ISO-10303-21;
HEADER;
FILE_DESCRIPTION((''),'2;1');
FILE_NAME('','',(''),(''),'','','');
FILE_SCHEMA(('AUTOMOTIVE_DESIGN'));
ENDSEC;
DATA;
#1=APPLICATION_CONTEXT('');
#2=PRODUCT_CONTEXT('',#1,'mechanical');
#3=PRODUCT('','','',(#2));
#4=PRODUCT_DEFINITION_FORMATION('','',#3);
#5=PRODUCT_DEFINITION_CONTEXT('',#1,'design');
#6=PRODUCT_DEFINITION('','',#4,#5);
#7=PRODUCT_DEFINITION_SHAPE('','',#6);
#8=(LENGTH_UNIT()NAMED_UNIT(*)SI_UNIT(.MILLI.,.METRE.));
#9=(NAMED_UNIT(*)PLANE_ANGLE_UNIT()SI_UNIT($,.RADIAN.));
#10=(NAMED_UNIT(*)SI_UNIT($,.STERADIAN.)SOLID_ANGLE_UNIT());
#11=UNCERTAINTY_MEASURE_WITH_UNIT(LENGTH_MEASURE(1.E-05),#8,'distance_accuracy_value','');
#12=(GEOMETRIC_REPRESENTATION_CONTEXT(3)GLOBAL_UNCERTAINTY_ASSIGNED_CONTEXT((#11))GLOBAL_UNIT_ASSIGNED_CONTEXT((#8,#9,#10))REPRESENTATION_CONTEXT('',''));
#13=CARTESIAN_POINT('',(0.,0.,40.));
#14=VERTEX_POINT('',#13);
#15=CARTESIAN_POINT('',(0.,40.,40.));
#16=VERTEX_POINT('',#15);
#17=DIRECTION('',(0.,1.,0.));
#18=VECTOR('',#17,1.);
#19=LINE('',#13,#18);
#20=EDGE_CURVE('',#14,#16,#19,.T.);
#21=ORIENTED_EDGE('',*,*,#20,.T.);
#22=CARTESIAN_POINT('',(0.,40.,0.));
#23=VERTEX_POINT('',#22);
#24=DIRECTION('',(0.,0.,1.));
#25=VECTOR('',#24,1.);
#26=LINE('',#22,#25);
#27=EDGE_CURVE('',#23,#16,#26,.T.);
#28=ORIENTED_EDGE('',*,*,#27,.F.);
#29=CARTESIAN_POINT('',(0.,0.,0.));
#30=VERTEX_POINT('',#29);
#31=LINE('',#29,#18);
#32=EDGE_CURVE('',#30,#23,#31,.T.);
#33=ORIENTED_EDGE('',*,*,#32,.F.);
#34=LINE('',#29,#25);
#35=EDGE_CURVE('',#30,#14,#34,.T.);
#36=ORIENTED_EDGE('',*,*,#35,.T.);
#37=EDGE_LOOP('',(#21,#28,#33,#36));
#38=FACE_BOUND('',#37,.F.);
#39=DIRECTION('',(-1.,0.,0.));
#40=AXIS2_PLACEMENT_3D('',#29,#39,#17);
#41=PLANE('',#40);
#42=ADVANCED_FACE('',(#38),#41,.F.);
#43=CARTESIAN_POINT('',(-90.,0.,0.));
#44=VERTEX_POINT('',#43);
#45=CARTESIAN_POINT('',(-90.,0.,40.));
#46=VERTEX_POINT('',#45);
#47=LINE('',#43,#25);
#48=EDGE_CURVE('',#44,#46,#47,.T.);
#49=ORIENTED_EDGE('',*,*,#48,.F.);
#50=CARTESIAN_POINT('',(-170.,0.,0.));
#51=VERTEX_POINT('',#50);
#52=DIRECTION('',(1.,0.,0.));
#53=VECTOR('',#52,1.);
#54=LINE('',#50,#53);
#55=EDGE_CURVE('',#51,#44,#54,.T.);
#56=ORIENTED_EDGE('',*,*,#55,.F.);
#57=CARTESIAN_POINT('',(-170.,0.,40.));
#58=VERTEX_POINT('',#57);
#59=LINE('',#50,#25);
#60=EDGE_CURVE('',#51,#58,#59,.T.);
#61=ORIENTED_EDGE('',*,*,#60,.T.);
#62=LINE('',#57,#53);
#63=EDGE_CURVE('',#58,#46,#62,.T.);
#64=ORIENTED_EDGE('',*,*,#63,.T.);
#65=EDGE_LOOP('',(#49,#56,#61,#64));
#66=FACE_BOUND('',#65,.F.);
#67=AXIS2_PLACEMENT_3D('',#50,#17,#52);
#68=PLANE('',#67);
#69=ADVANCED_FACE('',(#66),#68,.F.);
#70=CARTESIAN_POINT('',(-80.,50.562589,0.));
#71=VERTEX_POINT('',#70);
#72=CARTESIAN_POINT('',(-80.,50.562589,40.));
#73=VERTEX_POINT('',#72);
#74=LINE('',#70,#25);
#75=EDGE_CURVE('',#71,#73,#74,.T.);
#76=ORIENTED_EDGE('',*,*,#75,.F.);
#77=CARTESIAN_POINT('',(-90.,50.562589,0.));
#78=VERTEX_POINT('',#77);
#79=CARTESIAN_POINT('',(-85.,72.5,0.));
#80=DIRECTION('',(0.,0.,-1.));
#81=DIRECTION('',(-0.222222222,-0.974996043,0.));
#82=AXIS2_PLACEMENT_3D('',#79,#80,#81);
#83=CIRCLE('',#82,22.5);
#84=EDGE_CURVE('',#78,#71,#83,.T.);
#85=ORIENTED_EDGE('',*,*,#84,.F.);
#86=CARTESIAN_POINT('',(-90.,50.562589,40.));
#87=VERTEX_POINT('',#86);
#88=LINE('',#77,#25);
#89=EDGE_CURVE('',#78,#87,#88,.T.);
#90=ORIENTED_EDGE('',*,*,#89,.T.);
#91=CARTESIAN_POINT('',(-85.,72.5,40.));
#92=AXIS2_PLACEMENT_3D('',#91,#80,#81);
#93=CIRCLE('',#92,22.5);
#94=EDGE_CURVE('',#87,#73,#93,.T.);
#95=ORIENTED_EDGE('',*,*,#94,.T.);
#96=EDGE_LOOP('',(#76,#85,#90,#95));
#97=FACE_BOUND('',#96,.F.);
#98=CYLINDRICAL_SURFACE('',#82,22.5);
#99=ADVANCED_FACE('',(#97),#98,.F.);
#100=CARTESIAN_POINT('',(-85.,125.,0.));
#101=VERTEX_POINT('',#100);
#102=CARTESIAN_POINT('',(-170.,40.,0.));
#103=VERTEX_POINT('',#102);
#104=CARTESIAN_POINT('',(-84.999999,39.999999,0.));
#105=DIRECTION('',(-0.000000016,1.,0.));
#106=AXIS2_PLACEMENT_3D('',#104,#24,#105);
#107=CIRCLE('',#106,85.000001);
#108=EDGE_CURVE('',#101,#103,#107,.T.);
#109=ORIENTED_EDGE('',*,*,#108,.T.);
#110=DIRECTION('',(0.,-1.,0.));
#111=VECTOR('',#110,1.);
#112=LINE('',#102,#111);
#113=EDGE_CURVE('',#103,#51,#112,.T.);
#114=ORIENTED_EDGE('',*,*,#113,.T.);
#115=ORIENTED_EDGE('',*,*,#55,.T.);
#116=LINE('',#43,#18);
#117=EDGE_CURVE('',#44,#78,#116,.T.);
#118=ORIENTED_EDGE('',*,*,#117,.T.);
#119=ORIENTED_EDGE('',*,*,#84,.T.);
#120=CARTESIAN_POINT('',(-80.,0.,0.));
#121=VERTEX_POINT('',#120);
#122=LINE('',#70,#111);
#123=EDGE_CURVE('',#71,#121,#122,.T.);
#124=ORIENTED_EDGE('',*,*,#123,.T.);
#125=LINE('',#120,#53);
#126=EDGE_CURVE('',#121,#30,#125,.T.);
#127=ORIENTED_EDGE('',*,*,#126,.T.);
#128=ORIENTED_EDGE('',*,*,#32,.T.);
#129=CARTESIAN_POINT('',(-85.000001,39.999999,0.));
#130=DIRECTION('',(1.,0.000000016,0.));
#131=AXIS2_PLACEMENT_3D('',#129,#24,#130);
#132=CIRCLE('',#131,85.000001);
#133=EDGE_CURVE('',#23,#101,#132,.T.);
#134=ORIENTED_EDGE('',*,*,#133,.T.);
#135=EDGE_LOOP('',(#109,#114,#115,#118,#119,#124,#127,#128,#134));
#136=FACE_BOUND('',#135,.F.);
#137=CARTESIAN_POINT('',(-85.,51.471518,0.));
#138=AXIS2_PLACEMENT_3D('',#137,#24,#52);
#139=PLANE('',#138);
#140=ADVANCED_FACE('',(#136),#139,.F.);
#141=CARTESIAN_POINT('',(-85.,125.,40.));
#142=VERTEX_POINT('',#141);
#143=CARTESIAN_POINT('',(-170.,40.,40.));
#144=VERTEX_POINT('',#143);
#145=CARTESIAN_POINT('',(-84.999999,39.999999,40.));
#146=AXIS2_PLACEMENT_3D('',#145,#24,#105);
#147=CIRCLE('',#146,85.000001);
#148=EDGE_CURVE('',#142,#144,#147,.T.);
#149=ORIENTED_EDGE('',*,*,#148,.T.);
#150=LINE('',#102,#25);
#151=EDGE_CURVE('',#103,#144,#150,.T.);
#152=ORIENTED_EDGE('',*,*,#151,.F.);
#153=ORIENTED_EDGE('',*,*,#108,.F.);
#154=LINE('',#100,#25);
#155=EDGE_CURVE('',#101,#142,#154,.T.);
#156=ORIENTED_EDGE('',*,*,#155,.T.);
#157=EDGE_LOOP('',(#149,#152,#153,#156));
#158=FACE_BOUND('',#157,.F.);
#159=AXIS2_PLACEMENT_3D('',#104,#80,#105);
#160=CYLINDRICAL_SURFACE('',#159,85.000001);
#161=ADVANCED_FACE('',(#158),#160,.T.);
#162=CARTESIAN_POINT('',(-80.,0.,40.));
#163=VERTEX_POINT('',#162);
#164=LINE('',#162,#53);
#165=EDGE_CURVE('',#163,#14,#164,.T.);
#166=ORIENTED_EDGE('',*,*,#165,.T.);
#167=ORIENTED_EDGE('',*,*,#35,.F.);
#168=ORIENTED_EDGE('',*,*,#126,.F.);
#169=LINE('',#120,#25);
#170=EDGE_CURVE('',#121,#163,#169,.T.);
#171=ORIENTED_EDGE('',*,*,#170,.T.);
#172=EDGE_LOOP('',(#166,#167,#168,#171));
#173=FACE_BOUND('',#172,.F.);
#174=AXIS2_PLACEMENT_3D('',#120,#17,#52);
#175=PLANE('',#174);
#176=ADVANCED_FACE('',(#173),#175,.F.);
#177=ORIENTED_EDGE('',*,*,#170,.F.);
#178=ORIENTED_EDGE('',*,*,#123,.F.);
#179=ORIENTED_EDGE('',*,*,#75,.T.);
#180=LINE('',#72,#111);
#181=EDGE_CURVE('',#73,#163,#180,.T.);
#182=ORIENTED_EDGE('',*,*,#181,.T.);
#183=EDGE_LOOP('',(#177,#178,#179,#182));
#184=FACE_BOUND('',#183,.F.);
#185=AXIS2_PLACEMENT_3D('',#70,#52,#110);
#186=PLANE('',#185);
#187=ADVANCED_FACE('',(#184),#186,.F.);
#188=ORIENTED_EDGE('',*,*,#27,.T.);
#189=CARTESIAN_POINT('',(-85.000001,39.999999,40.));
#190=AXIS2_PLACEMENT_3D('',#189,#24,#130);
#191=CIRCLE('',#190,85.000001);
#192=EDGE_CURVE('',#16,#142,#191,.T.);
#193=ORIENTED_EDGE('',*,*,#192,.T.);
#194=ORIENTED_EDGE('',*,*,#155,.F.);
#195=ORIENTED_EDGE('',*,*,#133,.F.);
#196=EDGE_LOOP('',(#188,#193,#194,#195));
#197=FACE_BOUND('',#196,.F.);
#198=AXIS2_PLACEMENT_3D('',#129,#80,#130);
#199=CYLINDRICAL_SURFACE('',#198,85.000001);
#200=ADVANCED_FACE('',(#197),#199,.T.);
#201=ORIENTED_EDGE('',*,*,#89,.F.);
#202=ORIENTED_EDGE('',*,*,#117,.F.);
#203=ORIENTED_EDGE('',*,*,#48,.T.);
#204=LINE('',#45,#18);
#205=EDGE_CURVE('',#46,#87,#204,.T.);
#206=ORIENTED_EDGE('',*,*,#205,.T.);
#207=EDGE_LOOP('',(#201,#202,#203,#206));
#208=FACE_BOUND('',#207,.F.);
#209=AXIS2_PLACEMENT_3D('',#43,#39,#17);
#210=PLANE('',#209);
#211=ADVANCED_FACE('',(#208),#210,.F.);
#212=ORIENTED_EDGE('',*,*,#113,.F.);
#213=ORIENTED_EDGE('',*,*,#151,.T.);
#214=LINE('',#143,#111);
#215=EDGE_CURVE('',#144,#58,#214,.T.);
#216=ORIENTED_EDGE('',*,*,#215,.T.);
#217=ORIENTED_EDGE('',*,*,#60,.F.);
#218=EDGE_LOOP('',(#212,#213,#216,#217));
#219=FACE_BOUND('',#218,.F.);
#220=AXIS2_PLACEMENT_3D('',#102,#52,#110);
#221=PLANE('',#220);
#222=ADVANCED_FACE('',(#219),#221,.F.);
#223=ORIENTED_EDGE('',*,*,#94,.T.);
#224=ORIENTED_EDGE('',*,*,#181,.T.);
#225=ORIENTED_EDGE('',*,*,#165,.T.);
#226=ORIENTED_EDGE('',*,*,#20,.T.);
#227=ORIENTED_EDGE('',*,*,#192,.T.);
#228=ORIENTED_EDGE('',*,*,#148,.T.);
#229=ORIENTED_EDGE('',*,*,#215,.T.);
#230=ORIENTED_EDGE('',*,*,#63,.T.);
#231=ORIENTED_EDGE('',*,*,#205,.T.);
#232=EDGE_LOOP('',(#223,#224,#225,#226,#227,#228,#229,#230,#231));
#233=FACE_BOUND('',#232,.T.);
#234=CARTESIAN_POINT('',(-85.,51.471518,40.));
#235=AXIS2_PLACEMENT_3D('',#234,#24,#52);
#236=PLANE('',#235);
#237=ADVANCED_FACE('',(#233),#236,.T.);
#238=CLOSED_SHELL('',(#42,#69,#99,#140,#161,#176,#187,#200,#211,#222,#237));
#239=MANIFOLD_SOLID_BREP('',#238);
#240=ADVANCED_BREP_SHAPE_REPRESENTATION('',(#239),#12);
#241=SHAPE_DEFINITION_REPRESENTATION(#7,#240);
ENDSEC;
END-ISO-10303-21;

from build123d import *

# Parameters (mm, degrees)
F1_DEPTH = 40


with BuildPart() as f1:
    # F0 (on Top) → F1 (new body)
    with BuildSketch(Plane.XY):
        with BuildLine():
            Line((-170, 40), (-170, 0))
            Line((-170, 0), (-90, 0))
            Line((-90, 0), (-90, 50.562589))
            ThreePointArc((-90, 50.562589), (-85, 95), (-80, 50.562589))
            Line((-80, 50.562589), (-80, 0))
            Line((-80, 0), (0, 0))
            Line((0, 0), (0, 40))
            ThreePointArc((0, 40), (-24.895924, 100.104076), (-85, 125))
            ThreePointArc((-85, 125), (-145.104076, 100.104076), (-170, 40))
        make_face()
    extrude(amount=F1_DEPTH)


solid = f1.part
